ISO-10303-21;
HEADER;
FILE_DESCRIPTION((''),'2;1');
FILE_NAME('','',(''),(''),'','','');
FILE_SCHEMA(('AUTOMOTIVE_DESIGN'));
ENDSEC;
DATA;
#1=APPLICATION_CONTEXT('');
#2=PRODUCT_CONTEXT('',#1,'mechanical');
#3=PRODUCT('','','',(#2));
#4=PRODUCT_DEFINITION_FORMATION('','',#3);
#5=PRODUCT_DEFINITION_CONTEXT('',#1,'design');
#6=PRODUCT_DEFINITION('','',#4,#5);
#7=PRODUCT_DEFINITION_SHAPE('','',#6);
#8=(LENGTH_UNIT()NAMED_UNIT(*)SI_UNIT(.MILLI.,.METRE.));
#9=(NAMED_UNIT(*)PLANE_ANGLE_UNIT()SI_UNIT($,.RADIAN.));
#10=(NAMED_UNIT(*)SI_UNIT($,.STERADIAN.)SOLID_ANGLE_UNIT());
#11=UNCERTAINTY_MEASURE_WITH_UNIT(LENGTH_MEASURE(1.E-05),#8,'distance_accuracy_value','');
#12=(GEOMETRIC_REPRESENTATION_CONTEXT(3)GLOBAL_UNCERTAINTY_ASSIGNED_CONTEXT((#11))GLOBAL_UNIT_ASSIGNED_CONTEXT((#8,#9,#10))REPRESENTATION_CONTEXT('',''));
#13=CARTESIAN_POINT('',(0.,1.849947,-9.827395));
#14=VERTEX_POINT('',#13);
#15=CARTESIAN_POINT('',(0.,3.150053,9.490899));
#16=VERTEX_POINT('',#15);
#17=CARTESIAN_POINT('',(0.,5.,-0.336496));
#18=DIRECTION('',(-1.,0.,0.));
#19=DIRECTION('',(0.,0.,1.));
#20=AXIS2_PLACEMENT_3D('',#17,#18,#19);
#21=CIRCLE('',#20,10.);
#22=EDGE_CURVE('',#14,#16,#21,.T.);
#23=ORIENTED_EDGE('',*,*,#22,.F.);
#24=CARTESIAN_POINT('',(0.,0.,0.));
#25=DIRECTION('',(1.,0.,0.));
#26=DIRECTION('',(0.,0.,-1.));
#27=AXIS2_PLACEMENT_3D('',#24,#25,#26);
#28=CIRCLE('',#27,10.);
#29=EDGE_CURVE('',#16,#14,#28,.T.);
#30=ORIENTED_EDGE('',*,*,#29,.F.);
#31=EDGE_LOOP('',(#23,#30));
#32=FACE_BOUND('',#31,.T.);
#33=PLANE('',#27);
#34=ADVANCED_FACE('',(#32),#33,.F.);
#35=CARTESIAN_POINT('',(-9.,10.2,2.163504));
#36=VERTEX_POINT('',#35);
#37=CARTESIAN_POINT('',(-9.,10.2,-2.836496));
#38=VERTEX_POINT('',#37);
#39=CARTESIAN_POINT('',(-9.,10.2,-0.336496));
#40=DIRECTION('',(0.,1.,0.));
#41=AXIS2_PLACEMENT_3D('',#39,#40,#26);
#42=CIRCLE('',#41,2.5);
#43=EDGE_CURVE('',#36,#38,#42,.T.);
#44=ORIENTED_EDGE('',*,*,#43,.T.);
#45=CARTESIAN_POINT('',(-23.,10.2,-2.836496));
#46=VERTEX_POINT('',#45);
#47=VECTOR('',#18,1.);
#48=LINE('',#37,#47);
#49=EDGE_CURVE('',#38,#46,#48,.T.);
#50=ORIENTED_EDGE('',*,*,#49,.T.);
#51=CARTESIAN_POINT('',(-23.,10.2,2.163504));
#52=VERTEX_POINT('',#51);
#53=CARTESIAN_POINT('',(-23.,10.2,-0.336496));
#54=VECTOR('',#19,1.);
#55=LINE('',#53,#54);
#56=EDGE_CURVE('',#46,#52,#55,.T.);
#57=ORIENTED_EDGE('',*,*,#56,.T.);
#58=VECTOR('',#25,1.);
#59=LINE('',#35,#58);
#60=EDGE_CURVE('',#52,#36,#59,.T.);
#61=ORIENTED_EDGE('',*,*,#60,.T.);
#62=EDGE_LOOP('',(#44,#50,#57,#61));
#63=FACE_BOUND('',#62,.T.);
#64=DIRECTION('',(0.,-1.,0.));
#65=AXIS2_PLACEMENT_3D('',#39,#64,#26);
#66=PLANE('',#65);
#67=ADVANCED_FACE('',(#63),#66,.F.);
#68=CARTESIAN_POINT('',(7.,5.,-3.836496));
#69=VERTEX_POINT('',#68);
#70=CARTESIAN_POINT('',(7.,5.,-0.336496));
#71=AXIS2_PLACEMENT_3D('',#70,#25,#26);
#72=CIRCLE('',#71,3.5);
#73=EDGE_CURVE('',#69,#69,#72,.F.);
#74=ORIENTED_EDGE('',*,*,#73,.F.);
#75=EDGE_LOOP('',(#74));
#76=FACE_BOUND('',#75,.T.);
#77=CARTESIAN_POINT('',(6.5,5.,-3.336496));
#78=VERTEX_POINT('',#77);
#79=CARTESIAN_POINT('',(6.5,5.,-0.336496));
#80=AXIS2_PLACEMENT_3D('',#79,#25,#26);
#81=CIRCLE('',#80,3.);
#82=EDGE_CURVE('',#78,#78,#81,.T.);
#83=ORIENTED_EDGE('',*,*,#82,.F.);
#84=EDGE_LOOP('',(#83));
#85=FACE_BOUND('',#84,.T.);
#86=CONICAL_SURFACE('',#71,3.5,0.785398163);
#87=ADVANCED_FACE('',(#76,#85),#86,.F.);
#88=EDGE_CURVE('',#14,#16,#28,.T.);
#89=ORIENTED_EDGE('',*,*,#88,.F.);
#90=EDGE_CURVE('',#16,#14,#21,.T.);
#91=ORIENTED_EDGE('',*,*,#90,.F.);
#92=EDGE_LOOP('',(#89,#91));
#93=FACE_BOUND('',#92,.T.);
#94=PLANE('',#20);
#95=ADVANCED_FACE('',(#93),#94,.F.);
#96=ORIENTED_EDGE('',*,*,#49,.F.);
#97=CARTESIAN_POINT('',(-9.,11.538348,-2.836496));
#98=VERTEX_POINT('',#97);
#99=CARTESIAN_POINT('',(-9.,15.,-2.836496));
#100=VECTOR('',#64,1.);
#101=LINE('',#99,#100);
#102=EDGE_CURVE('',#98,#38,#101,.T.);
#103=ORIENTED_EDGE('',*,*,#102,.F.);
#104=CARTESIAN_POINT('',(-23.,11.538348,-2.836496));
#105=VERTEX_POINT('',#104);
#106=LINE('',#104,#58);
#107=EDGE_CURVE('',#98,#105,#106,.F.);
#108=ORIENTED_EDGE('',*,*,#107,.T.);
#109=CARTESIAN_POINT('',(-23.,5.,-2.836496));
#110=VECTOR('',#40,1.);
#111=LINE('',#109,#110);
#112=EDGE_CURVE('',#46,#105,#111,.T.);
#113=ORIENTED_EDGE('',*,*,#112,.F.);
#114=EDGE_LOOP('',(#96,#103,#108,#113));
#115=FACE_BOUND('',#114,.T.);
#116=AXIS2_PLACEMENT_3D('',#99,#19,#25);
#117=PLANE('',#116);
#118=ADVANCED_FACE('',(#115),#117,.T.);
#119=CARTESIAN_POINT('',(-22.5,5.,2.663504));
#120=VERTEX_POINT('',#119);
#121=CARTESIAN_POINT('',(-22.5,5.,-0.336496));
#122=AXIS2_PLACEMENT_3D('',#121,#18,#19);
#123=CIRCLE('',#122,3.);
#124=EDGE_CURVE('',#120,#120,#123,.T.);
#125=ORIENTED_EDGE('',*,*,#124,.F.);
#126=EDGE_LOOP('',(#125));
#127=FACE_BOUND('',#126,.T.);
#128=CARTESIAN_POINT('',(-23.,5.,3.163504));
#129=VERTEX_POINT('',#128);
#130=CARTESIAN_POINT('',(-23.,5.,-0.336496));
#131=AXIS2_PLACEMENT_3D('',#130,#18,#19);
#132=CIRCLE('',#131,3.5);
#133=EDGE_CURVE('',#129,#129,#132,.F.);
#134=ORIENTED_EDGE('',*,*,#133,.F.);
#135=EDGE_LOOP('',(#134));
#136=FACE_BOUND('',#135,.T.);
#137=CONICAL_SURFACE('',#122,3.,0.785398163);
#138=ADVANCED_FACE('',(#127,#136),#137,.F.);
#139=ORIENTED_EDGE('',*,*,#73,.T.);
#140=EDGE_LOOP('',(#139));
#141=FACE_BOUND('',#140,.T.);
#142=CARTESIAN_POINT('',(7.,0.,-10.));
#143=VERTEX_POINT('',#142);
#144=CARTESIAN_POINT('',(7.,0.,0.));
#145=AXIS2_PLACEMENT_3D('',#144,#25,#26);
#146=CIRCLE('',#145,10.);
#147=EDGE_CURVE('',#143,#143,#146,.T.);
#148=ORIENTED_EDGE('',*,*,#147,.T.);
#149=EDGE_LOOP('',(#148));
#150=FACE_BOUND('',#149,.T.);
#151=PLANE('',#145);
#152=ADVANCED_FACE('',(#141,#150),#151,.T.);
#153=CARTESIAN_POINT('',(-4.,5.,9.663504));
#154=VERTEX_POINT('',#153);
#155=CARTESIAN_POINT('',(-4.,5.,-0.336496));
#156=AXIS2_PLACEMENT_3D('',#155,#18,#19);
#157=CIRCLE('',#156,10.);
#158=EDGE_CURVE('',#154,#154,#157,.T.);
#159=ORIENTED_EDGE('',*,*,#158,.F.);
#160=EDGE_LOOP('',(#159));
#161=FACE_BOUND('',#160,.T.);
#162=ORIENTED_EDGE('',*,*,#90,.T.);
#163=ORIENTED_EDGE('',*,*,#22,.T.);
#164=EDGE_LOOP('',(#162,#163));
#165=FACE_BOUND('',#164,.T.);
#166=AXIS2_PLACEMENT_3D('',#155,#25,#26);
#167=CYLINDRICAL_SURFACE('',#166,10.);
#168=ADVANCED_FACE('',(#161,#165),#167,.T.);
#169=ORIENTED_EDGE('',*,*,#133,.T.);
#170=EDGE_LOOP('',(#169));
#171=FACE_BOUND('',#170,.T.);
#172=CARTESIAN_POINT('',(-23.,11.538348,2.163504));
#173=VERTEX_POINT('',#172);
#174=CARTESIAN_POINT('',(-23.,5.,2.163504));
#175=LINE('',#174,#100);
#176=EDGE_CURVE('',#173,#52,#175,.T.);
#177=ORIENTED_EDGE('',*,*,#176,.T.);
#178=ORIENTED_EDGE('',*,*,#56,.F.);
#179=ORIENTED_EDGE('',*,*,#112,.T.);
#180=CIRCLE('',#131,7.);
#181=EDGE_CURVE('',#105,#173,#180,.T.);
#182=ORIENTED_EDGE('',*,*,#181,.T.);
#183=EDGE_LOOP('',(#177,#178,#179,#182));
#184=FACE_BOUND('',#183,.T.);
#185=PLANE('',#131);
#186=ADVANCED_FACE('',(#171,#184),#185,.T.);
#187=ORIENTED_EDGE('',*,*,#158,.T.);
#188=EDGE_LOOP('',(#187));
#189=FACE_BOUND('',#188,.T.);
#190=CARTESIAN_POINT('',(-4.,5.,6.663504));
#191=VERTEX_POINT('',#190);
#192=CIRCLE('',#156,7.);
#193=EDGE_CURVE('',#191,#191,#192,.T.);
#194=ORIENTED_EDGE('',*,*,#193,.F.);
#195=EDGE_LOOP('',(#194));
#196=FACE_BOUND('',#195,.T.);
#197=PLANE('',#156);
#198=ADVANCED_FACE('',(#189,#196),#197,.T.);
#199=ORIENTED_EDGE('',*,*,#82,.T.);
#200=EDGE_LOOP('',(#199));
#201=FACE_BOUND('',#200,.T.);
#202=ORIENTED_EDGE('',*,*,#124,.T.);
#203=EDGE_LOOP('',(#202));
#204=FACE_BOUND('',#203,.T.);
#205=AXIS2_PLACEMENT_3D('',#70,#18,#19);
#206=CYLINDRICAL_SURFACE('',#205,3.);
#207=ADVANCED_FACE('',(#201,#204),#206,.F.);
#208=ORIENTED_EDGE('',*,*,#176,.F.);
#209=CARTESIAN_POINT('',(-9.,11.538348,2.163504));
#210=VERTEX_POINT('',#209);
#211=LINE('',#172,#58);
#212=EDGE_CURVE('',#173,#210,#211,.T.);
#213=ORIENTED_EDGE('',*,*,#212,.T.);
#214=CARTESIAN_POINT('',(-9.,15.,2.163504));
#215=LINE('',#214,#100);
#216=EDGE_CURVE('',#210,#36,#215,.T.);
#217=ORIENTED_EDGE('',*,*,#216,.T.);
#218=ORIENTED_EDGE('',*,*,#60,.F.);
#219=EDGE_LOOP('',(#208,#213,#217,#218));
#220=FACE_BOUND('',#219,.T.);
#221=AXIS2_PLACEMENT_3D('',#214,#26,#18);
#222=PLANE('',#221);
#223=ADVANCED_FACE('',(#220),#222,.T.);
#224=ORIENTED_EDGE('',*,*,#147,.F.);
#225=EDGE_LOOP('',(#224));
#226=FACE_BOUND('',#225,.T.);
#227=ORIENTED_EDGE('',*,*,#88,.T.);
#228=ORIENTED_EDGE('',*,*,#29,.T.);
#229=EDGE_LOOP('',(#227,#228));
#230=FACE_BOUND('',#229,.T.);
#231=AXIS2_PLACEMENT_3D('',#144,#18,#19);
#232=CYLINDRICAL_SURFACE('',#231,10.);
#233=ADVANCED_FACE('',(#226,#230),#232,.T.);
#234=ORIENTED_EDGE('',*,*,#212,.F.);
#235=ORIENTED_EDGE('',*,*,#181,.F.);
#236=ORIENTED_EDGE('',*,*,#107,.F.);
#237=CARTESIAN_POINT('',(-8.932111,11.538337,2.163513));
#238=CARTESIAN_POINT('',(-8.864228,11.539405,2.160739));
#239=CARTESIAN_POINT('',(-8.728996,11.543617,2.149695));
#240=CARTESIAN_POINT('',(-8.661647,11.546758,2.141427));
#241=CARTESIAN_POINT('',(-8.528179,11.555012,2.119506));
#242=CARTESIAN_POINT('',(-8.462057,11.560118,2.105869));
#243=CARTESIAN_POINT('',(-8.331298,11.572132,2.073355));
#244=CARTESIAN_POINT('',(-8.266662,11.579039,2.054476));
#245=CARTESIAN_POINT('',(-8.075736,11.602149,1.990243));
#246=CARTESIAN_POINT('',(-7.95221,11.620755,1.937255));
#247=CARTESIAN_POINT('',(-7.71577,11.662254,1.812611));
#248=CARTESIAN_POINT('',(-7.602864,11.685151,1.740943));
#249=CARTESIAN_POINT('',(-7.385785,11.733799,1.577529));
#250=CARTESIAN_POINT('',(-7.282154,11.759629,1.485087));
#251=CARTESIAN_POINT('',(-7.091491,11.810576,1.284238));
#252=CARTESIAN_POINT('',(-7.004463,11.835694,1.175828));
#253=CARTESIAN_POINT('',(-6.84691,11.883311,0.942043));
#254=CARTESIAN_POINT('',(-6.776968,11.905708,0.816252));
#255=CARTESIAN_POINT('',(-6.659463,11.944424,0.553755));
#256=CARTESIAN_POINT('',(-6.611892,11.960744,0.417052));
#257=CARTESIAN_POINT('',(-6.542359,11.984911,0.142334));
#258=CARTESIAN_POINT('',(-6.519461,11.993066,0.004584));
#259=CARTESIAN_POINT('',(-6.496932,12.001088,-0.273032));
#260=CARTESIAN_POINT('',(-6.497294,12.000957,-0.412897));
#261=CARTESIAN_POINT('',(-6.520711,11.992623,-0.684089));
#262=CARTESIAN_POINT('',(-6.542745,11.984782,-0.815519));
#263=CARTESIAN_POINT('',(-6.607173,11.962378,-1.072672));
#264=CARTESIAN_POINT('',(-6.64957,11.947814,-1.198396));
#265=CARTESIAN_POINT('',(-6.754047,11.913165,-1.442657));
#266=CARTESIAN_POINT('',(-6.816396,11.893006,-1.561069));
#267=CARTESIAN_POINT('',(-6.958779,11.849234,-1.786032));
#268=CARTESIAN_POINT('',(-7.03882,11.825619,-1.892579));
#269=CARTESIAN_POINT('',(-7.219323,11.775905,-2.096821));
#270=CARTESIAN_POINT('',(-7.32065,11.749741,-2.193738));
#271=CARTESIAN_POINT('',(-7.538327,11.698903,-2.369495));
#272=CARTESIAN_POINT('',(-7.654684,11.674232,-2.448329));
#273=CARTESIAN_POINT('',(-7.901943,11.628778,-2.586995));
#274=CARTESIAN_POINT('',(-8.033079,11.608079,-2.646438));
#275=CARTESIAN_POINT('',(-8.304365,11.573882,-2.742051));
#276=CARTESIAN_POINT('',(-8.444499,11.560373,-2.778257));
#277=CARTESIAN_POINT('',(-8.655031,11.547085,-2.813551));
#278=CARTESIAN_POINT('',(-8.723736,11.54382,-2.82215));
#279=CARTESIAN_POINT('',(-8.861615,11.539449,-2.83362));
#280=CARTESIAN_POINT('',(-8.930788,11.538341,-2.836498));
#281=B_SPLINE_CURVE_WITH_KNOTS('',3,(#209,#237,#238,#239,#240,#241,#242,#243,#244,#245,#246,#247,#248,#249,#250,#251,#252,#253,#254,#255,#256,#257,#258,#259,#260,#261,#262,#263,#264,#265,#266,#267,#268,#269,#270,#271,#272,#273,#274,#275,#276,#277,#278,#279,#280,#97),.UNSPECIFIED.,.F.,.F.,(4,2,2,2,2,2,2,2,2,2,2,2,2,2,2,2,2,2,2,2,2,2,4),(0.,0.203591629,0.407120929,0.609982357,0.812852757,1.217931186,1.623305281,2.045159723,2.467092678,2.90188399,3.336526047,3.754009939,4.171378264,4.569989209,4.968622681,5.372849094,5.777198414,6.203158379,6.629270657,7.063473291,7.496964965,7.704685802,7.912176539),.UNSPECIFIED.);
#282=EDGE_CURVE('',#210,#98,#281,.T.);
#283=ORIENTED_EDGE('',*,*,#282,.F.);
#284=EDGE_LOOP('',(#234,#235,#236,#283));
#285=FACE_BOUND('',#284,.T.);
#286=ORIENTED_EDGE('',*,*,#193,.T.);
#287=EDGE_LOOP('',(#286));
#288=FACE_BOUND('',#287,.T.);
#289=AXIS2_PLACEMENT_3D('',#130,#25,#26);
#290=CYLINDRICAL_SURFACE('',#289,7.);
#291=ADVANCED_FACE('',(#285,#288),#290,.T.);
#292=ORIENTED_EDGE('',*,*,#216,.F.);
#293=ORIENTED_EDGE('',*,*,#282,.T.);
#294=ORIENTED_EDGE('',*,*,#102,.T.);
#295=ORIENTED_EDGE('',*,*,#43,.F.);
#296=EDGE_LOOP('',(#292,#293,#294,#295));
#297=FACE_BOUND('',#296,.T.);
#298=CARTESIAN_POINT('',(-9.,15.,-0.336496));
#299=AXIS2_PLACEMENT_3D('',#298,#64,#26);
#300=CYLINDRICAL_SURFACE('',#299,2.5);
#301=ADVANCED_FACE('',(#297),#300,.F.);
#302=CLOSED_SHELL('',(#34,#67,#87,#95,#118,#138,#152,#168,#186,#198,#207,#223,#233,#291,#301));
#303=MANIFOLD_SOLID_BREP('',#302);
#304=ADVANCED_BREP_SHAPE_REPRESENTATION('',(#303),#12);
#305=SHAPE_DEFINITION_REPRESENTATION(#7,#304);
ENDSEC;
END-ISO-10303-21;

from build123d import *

# Parameters (mm, degrees)
SKETCH1_R           = 10
BOSS_EXTRUDE1_DEPTH = 7
SKETCH2_R           = 10
BOSS_EXTRUDE2_DEPTH = 4
SKETCH3_R           = 7
BOSS_EXTRUDE3_DEPTH = 19
SKETCH4_R           = 3
CUT_EXTRUDE1_DEPTH  = 31
CHAMFER1_SIZE       = 0.5
CUT_EXTRUDE2_START  = 10.2
CUT_EXTRUDE2_DEPTH  = 5.8


with BuildPart() as part:
    # Sketch1 → Boss-Extrude1 (new body)
    with BuildSketch(Plane(origin=(0, 0, 0), x_dir=(0, 0, -1), z_dir=(1, 0, 0))):
        Circle(SKETCH1_R)
    extrude(amount=BOSS_EXTRUDE1_DEPTH)

    # Sketch2 → Boss-Extrude2 (add)
    with BuildSketch(Plane.ZY):
        with Locations((-0.336496213, 5)):
            Circle(SKETCH2_R)
    extrude(amount=BOSS_EXTRUDE2_DEPTH)

    # Sketch3 → Boss-Extrude3 (add)
    with BuildSketch(Plane.ZY.offset(4)):
        with Locations((-0.336496213, 5)):
            Circle(SKETCH3_R)
    extrude(amount=BOSS_EXTRUDE3_DEPTH)

    # Sketch4 → Cut-Extrude1 (cut, through all)
    with BuildSketch(Plane.ZY.offset(23)):
        with Locations((-0.336496213, 5)):
            Circle(SKETCH4_R)
    extrude(amount=-CUT_EXTRUDE1_DEPTH, mode=Mode.SUBTRACT)

    # Chamfer1
    chamfer1_edges = [part.edges().sort_by_distance(p)[0] for p in [
        (7, 5, -3.336496213),
        (-23, 5, -3.336496213),
    ]]
    chamfer(chamfer1_edges, length=CHAMFER1_SIZE)

    # Sketch5 → Cut-Extrude2 (cut, through all)
    with BuildSketch(Plane(origin=(0, 0, 0), x_dir=(1, 0, 0), z_dir=(0, 1, 0)).offset(CUT_EXTRUDE2_START)):
        with BuildLine():
            Line((-9, 2.836496213), (-26.986787276, 2.836496213))
            Line((-26.986787276, 2.836496213), (-26.986787276, -2.163503787))
            Line((-26.986787276, -2.163503787), (-9, -2.163503787))
            ThreePointArc((-9, -2.163503787), (-6.5, 0.336496213), (-9, 2.836496213))
        make_face()
    extrude(amount=CUT_EXTRUDE2_DEPTH, mode=Mode.SUBTRACT)


solid = part.part
